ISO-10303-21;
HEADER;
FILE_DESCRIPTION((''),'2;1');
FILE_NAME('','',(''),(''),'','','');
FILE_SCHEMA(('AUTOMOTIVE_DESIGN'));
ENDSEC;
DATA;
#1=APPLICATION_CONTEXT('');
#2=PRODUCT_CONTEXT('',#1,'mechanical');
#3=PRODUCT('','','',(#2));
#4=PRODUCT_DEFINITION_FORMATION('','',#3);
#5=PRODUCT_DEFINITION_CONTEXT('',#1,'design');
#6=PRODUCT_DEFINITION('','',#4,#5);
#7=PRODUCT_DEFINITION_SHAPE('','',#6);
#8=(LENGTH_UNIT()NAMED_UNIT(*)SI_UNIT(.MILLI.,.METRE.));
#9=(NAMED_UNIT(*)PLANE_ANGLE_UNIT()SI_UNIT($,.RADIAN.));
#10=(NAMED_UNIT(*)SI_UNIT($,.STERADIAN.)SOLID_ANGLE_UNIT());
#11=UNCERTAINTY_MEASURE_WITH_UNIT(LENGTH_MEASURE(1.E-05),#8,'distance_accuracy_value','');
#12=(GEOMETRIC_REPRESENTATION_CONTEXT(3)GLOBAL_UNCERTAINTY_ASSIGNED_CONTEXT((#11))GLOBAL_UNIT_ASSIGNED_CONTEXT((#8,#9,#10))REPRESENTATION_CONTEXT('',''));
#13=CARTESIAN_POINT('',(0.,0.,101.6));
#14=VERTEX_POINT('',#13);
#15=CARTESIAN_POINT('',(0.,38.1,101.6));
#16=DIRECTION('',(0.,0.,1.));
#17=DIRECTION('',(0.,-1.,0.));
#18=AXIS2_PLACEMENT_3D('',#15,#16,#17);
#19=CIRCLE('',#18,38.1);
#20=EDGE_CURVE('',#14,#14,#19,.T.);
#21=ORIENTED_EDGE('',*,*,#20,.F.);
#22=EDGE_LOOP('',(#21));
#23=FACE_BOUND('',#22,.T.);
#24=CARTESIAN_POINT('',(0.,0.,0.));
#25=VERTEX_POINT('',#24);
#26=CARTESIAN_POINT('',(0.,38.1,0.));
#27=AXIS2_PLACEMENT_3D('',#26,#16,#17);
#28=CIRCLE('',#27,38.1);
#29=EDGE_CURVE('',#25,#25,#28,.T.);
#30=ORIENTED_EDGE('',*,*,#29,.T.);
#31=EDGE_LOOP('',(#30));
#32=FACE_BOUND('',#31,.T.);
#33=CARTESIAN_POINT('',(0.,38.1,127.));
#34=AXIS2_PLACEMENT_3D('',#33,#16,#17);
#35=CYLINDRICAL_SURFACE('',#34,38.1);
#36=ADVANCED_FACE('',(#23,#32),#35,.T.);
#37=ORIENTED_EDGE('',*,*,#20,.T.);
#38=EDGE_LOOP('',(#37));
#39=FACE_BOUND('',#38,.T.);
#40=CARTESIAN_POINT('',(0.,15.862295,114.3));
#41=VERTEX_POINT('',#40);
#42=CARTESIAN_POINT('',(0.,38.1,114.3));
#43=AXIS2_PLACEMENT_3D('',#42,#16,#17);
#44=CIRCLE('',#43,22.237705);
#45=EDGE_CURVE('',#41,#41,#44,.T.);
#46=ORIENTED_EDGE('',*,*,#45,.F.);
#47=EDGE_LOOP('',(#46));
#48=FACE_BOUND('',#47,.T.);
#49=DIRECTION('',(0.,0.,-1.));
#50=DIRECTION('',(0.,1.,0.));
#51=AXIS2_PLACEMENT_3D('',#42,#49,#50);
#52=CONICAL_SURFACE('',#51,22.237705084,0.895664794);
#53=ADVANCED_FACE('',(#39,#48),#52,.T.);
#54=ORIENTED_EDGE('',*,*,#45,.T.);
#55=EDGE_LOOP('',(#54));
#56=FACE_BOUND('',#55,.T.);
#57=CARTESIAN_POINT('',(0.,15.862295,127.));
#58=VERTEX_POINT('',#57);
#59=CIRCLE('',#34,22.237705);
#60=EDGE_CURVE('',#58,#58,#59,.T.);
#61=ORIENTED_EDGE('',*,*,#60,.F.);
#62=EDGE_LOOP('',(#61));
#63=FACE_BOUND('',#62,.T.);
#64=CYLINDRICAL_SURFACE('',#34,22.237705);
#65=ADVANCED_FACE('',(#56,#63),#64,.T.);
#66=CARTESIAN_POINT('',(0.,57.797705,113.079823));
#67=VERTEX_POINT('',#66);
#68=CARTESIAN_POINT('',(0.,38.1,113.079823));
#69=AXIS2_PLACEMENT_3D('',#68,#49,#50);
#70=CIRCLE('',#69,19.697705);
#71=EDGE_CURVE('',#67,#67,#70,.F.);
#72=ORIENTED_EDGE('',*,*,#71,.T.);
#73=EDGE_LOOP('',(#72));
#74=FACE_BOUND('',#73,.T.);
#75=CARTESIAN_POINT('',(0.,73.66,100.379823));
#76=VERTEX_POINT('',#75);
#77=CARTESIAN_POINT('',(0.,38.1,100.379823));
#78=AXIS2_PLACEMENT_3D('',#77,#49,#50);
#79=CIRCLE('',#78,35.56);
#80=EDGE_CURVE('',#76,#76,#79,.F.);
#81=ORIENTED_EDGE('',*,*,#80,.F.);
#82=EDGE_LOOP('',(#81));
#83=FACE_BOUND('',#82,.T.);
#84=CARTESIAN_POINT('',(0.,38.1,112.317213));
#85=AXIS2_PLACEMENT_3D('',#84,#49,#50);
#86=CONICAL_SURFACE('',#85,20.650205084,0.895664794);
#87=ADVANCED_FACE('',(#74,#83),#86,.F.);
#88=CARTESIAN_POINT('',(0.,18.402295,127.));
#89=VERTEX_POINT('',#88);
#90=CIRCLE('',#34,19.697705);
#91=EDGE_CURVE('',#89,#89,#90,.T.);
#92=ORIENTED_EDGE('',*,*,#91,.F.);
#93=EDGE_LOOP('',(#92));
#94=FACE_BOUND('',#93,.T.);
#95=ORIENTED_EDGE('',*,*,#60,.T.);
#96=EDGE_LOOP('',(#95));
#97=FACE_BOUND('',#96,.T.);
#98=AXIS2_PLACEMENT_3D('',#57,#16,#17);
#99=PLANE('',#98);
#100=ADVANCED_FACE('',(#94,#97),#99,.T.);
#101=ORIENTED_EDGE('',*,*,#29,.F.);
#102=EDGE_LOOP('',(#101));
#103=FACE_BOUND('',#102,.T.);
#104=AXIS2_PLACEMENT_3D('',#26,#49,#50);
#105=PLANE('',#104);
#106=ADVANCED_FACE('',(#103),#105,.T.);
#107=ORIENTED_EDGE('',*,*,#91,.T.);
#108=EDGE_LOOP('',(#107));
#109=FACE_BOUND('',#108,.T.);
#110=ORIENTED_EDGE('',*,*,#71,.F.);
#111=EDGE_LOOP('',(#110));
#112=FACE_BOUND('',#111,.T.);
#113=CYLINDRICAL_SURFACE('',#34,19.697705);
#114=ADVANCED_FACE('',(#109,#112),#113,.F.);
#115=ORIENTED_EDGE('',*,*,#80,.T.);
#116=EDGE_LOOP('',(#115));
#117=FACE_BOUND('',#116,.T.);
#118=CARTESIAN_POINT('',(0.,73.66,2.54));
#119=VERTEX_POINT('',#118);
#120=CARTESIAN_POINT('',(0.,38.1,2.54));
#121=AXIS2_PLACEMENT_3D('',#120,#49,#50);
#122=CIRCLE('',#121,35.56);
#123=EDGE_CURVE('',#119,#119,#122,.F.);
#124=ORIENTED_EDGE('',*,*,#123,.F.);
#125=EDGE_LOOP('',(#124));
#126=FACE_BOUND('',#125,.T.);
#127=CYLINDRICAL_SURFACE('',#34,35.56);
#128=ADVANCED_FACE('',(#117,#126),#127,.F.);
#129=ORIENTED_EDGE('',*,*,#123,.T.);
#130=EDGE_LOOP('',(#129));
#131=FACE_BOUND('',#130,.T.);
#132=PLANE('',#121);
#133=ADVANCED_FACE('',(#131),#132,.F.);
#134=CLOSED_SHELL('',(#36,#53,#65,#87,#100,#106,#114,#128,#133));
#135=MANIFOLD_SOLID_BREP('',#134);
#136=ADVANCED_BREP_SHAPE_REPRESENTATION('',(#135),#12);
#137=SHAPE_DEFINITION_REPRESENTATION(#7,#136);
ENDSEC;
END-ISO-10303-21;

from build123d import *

# Parameters (mm, degrees)
SHELL1_T = -2.54


with BuildPart() as part:
    # Sketch1 → Revolve1 (revolve)
    with BuildSketch(Plane.YZ):
        Polygon((0, 0), (0, 101.6), (15.862294916, 114.3), (15.862294916, 127), (38.1, 127), (38.1, 0), align=None)
    revolve(axis=Axis((0, 38.1, 127), (0, 0, -1)))

    # Shell1
    shell1_openings = [part.faces().sort_by_distance(p)[0] for p in [
        (0, 38.1, 127),
    ]]
    offset(amount=SHELL1_T, openings=shell1_openings, kind=Kind.INTERSECTION)


solid = part.part
